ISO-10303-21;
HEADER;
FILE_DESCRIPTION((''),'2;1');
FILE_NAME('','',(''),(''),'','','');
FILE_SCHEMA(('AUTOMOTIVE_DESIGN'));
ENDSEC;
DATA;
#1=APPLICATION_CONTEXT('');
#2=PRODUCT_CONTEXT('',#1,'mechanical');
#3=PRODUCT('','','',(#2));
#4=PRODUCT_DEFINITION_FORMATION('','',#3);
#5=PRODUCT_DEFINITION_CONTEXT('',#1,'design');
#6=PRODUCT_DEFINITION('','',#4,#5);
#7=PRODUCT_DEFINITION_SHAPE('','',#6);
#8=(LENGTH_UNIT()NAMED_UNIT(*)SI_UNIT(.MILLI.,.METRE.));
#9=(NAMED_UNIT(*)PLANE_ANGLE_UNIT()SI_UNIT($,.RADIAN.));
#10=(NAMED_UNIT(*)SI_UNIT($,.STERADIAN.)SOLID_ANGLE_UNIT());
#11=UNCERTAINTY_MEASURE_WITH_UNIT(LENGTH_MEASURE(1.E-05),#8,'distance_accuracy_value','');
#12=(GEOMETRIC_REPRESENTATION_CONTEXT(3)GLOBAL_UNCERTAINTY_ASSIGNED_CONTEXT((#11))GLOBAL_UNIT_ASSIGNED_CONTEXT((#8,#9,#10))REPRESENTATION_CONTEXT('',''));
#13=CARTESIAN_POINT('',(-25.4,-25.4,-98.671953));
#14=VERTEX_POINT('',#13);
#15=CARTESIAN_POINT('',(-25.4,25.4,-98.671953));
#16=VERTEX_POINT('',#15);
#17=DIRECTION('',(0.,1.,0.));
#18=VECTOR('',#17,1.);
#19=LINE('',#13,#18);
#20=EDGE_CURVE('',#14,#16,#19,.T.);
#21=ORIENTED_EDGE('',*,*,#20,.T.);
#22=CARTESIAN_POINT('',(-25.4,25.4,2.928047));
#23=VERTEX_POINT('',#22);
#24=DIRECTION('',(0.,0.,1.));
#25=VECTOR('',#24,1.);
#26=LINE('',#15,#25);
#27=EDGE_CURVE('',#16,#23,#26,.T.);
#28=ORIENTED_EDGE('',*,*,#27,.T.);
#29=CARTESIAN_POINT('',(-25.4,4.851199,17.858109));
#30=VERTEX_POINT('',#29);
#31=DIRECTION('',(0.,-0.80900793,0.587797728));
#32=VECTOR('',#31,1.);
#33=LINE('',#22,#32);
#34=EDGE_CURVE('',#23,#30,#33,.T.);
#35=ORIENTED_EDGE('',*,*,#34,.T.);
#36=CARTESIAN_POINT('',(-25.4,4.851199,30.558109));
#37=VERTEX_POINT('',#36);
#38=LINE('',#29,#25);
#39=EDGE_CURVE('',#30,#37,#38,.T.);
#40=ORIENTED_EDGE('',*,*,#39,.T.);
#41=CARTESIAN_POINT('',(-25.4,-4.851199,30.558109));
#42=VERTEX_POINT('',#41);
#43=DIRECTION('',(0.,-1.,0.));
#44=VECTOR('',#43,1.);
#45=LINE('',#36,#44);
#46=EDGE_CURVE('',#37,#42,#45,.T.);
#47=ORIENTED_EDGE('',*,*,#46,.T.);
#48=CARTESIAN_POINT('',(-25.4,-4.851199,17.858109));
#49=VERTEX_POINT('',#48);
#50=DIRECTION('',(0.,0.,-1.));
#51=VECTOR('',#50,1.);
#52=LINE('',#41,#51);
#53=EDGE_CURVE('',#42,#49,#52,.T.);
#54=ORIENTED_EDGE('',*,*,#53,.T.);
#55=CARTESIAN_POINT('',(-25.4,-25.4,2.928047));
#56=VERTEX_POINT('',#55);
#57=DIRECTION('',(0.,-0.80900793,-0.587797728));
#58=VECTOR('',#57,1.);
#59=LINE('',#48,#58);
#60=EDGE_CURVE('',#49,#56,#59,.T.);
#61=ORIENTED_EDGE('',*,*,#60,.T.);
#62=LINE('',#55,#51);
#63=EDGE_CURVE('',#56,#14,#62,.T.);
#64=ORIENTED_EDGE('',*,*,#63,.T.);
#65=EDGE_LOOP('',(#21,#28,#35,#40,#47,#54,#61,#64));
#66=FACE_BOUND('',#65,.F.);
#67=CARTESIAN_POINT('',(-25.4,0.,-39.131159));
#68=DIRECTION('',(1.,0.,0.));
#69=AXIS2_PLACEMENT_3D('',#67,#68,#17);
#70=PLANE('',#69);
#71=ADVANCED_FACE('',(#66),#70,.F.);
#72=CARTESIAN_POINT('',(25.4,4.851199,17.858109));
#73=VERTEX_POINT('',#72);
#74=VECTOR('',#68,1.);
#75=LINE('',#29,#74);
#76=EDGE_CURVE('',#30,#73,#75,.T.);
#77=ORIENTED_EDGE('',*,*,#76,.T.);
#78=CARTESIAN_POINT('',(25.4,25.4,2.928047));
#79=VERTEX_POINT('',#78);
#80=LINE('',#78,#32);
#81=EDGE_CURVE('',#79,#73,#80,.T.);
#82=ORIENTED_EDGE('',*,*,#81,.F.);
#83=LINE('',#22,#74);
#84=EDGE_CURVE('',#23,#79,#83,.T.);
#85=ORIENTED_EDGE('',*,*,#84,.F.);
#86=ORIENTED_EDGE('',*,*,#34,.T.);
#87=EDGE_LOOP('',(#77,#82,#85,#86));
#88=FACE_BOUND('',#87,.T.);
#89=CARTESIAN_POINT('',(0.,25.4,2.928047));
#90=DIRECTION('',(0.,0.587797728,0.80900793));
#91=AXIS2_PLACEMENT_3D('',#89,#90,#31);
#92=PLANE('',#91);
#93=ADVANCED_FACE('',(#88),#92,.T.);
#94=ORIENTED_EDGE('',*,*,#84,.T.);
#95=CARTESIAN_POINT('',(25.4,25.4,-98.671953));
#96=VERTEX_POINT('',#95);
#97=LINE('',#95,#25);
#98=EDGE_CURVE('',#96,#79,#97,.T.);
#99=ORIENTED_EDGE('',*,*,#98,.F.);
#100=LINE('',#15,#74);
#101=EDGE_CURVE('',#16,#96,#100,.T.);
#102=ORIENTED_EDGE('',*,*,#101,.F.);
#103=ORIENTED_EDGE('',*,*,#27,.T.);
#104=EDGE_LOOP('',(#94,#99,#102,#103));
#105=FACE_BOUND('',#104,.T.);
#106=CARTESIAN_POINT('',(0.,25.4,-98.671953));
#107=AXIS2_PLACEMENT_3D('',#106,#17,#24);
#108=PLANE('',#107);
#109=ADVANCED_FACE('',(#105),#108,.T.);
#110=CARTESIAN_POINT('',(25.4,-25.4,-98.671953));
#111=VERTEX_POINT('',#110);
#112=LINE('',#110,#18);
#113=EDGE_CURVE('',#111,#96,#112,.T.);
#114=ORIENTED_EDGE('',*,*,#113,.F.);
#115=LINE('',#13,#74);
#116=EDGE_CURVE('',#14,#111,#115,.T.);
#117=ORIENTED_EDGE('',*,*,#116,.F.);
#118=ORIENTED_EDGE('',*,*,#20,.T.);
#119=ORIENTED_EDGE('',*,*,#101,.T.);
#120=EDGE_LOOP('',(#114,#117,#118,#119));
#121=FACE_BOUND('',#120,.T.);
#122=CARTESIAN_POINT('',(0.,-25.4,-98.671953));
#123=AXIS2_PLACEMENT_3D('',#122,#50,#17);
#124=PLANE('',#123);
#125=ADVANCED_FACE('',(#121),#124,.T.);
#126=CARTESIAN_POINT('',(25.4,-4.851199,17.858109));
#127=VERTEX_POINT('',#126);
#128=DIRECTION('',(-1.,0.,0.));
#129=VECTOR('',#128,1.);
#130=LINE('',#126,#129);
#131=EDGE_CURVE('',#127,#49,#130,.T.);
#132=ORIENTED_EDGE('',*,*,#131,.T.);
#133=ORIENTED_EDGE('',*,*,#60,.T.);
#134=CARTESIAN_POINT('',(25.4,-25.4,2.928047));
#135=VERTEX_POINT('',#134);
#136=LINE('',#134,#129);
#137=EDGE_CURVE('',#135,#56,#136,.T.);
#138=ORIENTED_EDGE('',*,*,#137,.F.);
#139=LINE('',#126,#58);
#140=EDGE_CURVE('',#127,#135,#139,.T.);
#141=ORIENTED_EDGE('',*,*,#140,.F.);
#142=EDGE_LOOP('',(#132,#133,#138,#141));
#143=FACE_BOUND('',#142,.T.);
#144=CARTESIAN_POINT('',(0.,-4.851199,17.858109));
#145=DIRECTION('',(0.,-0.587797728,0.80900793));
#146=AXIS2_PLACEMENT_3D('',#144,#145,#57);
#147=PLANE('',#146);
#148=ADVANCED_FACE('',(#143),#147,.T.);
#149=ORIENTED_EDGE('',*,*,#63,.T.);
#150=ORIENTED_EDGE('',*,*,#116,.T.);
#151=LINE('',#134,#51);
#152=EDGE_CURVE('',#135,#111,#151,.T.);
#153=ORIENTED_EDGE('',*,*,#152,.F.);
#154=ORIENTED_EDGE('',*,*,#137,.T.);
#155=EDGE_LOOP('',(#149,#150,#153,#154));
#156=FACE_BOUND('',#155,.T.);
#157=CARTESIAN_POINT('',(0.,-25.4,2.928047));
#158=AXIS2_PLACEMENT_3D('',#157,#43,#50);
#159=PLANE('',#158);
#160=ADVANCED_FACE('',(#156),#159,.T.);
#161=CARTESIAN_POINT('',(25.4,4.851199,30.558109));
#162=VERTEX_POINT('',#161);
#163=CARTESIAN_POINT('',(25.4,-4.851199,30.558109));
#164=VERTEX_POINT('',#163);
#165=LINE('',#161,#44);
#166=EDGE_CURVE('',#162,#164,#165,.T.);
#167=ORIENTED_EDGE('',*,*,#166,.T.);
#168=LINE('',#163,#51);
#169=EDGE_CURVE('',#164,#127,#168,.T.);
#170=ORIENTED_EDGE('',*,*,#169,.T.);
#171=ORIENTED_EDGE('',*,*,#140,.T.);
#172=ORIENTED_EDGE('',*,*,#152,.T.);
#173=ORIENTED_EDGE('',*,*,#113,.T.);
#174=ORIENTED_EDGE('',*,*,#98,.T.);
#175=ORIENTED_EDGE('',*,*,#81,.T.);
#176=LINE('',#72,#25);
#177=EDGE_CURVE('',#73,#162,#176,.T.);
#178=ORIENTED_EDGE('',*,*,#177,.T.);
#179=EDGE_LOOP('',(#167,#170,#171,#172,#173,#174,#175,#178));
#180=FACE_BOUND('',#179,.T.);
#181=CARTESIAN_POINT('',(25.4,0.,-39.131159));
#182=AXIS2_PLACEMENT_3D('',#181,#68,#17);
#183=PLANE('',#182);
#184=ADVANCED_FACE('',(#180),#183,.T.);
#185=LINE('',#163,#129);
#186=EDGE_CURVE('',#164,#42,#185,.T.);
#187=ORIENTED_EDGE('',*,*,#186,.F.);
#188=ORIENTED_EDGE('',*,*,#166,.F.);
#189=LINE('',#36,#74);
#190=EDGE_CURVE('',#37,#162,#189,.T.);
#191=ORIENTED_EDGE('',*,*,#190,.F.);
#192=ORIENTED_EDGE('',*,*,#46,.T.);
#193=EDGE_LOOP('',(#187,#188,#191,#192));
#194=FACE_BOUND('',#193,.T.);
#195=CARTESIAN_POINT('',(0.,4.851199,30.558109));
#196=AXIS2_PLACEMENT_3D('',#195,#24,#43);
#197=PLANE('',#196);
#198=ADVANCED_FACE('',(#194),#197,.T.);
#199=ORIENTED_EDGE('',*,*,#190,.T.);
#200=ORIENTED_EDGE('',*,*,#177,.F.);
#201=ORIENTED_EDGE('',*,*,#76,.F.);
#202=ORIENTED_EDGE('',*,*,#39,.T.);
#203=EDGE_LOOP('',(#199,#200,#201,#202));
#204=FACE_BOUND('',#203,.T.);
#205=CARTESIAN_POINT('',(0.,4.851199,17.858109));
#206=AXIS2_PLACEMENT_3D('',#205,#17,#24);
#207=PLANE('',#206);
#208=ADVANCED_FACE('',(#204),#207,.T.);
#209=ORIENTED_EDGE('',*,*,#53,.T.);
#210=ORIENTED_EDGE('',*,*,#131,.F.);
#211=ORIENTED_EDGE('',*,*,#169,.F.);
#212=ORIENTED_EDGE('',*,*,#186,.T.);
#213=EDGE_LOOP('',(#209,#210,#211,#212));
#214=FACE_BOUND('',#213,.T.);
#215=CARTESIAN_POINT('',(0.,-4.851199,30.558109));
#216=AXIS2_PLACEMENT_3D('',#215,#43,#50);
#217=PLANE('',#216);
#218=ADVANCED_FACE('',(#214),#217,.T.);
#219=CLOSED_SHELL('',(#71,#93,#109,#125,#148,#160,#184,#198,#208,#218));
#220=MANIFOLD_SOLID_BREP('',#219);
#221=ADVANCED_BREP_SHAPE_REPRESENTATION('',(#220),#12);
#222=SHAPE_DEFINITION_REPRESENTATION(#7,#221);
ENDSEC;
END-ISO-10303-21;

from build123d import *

# Parameters (mm, degrees)
F1_DEPTH      = 25.4
F1_DEPTH_BACK = 25.4


with BuildPart() as f1:
    # F0 (on Right) → F1 (new body, two sides)
    with BuildSketch(Plane.YZ) as f1_sk:
        Polygon((-25.4, 2.928047), (-25.4, -98.671953), (25.4, -98.671953), (25.4, 0), (25.4, 2.928047), (4.851199, 17.858109), (4.851199, 30.558109), (0, 30.558109), (-4.851199, 30.558109), (-4.851199, 17.858109), align=None)
    extrude(amount=F1_DEPTH)
    extrude(f1_sk.sketch, amount=-F1_DEPTH_BACK)


solid = f1.part
